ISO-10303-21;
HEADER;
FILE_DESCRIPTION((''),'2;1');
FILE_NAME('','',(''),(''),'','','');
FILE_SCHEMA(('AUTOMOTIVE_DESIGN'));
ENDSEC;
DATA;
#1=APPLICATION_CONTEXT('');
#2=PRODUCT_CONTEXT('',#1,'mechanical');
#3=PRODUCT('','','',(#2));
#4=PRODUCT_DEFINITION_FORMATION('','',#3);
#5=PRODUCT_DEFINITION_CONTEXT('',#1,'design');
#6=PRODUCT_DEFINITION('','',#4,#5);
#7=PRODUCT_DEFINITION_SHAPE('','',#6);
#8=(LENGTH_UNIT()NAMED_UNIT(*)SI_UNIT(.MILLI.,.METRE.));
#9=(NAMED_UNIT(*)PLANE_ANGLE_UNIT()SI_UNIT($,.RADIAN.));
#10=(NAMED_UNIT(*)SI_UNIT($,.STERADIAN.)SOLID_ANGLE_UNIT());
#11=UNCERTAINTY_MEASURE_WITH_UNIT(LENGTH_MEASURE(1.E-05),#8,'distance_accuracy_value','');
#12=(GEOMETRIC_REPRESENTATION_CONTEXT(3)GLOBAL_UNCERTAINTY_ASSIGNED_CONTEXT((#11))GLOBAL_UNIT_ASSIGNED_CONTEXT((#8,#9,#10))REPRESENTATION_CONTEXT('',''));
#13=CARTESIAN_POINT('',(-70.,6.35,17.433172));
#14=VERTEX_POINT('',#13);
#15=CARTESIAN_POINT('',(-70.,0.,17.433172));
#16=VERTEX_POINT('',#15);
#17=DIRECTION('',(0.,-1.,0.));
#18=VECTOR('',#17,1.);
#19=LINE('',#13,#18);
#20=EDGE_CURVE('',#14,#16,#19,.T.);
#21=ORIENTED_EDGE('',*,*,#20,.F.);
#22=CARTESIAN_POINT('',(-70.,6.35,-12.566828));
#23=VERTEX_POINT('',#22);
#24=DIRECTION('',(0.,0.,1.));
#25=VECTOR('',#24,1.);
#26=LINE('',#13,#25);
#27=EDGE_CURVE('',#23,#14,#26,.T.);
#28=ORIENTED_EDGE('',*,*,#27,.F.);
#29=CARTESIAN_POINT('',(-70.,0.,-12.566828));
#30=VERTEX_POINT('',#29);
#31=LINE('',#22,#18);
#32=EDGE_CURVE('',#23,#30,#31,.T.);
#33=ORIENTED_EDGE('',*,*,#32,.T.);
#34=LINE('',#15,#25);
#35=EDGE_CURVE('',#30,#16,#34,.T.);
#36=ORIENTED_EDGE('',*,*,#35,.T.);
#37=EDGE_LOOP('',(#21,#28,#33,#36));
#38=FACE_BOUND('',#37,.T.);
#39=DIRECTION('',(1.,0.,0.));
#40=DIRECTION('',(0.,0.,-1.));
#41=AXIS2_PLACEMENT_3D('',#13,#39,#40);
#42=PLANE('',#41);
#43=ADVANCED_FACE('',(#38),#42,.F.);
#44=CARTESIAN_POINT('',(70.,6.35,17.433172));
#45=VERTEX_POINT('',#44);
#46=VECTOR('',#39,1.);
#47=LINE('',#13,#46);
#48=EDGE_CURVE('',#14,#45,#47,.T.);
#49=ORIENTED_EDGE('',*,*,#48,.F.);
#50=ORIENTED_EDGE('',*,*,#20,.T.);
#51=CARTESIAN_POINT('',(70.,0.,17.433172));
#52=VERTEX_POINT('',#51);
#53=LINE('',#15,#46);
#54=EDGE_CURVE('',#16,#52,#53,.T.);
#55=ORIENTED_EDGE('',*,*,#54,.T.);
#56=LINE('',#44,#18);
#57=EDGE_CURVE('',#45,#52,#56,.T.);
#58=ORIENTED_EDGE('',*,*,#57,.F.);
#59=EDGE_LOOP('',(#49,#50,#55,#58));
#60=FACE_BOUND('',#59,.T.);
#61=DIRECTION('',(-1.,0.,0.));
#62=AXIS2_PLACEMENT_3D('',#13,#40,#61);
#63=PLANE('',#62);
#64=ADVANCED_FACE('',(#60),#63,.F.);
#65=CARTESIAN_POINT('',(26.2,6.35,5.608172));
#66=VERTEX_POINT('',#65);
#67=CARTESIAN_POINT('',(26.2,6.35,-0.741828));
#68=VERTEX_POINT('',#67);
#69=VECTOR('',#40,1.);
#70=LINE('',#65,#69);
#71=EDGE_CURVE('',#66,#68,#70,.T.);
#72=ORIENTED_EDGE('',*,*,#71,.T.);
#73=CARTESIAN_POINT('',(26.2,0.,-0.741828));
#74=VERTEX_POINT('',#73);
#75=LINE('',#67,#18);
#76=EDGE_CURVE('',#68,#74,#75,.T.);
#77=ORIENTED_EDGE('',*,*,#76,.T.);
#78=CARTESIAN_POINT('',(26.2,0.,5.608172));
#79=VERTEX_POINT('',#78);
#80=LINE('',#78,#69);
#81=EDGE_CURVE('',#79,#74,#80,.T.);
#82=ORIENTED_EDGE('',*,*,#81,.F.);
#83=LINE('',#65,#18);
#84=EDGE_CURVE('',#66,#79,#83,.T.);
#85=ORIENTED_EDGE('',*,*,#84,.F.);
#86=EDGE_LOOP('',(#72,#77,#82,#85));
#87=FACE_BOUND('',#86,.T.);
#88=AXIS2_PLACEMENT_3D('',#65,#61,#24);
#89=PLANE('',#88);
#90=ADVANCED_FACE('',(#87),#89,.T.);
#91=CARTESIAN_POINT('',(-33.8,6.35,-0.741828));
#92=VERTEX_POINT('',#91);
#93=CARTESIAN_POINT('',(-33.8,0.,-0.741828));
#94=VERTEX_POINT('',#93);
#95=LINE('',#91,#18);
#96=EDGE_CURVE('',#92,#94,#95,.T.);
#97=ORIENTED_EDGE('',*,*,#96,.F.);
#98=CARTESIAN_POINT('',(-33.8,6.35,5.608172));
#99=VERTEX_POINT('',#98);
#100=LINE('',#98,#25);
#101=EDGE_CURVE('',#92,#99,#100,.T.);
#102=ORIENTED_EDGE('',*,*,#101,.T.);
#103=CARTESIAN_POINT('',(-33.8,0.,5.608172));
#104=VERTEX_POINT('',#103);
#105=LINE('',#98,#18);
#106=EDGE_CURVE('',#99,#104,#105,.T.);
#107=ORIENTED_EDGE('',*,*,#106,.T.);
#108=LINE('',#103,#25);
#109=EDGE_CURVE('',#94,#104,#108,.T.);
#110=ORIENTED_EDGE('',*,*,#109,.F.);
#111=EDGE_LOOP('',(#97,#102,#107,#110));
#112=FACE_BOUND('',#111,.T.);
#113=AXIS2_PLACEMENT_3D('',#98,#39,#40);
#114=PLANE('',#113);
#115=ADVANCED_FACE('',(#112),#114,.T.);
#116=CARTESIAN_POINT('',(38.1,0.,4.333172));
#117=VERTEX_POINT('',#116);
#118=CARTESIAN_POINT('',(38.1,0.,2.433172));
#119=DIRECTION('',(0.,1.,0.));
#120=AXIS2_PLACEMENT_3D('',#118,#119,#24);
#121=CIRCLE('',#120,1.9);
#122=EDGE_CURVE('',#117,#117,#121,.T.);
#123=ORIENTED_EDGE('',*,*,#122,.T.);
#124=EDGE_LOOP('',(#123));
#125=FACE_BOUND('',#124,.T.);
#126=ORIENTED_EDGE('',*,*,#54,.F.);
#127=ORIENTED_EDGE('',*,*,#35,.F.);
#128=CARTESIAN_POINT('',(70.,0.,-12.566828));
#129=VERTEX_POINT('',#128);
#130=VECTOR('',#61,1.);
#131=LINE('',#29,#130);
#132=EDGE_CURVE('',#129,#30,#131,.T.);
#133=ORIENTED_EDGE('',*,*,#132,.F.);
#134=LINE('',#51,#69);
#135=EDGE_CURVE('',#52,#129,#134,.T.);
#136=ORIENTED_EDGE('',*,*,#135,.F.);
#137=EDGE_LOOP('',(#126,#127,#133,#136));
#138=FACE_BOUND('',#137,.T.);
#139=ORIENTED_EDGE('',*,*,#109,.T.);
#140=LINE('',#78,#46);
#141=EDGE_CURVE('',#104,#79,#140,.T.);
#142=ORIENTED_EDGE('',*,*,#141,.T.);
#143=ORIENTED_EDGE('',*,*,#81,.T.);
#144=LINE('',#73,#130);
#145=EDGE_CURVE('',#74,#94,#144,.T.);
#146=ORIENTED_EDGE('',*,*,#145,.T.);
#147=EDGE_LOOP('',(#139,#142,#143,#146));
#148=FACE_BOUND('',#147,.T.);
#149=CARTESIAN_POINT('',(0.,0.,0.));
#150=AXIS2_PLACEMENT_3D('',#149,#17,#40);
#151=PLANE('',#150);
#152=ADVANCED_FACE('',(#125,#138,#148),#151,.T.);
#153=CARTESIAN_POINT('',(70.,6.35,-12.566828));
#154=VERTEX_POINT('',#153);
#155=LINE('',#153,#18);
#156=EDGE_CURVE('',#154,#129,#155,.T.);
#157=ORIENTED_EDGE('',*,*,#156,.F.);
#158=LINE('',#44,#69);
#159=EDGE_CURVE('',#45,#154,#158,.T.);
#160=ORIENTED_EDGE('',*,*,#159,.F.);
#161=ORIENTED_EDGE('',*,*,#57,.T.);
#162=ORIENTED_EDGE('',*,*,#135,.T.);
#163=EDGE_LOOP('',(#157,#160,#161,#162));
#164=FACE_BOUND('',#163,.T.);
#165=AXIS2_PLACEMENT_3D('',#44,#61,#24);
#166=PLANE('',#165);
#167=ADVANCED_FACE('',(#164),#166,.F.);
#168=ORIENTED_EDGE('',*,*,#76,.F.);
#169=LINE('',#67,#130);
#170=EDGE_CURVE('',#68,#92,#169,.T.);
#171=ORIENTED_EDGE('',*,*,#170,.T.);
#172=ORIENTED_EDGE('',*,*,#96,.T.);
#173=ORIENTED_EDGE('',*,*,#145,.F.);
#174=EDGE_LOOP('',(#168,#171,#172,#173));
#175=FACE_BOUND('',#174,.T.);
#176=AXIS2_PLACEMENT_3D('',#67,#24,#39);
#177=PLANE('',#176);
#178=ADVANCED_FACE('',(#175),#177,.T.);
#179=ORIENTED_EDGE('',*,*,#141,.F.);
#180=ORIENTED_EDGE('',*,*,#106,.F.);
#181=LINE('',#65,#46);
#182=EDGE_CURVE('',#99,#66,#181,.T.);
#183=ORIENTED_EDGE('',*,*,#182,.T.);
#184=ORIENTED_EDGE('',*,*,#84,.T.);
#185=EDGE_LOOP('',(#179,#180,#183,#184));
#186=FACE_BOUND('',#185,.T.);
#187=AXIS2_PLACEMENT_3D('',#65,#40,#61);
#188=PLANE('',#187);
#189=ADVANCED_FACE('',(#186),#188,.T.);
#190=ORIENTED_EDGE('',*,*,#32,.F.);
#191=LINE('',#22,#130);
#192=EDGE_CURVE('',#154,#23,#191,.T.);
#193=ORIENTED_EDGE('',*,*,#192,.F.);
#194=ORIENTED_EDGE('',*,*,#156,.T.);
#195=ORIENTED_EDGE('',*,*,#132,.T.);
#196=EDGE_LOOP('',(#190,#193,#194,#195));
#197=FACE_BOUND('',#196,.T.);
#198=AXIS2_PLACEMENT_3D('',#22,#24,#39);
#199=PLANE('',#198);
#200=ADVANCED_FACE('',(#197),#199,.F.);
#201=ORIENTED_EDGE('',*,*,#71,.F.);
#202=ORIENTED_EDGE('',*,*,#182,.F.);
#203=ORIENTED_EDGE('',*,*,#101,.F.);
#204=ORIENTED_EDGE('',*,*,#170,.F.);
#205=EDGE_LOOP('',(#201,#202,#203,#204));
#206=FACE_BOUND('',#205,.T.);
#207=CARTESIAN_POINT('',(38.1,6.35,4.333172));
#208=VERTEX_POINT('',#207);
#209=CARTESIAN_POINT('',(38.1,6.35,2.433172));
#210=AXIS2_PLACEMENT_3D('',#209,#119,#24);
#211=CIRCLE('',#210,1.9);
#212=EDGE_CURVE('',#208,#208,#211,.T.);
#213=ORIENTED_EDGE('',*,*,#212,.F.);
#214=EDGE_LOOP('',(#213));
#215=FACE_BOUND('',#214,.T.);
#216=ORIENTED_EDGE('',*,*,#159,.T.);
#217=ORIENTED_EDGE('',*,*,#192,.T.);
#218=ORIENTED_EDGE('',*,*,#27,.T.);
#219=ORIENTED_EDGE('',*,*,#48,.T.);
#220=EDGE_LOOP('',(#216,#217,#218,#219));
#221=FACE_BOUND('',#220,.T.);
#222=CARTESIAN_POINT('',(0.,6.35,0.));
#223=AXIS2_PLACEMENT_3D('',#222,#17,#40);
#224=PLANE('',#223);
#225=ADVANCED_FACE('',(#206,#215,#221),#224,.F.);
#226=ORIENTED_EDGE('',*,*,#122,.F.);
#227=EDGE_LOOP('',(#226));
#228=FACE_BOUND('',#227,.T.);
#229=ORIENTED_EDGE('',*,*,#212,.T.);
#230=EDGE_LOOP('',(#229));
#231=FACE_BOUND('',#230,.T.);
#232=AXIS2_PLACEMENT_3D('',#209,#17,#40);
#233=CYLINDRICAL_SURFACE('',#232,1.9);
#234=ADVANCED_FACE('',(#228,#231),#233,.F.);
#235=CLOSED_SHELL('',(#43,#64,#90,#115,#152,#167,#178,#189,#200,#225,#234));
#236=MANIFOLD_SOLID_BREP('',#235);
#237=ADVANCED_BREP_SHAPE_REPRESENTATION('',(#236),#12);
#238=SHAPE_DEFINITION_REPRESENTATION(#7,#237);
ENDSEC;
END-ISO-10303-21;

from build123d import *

# Parameters (mm, degrees)
SKETCH1_W           = 140
SKETCH1_H           = 30
SKETCH1_R           = 1.9
SKETCH1_W_2         = 60
SKETCH1_H_2         = 6.35
BOSS_EXTRUDE1_DEPTH = 6.35


with BuildPart() as part:
    # Sketch1 → Boss-Extrude1 (new body)
    with BuildSketch(Plane(origin=(0, 0, 0), x_dir=(1, 0, 0), z_dir=(0, 1, 0))):
        with Locations((0, -2.433171599)):
            Rectangle(SKETCH1_W, SKETCH1_H)
        with Locations((38.1, -2.433171599)):
            Circle(SKETCH1_R, mode=Mode.SUBTRACT)
        with Locations((-3.8, -2.433171599)):
            Rectangle(SKETCH1_W_2, SKETCH1_H_2, mode=Mode.SUBTRACT)
    extrude(amount=BOSS_EXTRUDE1_DEPTH)


solid = part.part
